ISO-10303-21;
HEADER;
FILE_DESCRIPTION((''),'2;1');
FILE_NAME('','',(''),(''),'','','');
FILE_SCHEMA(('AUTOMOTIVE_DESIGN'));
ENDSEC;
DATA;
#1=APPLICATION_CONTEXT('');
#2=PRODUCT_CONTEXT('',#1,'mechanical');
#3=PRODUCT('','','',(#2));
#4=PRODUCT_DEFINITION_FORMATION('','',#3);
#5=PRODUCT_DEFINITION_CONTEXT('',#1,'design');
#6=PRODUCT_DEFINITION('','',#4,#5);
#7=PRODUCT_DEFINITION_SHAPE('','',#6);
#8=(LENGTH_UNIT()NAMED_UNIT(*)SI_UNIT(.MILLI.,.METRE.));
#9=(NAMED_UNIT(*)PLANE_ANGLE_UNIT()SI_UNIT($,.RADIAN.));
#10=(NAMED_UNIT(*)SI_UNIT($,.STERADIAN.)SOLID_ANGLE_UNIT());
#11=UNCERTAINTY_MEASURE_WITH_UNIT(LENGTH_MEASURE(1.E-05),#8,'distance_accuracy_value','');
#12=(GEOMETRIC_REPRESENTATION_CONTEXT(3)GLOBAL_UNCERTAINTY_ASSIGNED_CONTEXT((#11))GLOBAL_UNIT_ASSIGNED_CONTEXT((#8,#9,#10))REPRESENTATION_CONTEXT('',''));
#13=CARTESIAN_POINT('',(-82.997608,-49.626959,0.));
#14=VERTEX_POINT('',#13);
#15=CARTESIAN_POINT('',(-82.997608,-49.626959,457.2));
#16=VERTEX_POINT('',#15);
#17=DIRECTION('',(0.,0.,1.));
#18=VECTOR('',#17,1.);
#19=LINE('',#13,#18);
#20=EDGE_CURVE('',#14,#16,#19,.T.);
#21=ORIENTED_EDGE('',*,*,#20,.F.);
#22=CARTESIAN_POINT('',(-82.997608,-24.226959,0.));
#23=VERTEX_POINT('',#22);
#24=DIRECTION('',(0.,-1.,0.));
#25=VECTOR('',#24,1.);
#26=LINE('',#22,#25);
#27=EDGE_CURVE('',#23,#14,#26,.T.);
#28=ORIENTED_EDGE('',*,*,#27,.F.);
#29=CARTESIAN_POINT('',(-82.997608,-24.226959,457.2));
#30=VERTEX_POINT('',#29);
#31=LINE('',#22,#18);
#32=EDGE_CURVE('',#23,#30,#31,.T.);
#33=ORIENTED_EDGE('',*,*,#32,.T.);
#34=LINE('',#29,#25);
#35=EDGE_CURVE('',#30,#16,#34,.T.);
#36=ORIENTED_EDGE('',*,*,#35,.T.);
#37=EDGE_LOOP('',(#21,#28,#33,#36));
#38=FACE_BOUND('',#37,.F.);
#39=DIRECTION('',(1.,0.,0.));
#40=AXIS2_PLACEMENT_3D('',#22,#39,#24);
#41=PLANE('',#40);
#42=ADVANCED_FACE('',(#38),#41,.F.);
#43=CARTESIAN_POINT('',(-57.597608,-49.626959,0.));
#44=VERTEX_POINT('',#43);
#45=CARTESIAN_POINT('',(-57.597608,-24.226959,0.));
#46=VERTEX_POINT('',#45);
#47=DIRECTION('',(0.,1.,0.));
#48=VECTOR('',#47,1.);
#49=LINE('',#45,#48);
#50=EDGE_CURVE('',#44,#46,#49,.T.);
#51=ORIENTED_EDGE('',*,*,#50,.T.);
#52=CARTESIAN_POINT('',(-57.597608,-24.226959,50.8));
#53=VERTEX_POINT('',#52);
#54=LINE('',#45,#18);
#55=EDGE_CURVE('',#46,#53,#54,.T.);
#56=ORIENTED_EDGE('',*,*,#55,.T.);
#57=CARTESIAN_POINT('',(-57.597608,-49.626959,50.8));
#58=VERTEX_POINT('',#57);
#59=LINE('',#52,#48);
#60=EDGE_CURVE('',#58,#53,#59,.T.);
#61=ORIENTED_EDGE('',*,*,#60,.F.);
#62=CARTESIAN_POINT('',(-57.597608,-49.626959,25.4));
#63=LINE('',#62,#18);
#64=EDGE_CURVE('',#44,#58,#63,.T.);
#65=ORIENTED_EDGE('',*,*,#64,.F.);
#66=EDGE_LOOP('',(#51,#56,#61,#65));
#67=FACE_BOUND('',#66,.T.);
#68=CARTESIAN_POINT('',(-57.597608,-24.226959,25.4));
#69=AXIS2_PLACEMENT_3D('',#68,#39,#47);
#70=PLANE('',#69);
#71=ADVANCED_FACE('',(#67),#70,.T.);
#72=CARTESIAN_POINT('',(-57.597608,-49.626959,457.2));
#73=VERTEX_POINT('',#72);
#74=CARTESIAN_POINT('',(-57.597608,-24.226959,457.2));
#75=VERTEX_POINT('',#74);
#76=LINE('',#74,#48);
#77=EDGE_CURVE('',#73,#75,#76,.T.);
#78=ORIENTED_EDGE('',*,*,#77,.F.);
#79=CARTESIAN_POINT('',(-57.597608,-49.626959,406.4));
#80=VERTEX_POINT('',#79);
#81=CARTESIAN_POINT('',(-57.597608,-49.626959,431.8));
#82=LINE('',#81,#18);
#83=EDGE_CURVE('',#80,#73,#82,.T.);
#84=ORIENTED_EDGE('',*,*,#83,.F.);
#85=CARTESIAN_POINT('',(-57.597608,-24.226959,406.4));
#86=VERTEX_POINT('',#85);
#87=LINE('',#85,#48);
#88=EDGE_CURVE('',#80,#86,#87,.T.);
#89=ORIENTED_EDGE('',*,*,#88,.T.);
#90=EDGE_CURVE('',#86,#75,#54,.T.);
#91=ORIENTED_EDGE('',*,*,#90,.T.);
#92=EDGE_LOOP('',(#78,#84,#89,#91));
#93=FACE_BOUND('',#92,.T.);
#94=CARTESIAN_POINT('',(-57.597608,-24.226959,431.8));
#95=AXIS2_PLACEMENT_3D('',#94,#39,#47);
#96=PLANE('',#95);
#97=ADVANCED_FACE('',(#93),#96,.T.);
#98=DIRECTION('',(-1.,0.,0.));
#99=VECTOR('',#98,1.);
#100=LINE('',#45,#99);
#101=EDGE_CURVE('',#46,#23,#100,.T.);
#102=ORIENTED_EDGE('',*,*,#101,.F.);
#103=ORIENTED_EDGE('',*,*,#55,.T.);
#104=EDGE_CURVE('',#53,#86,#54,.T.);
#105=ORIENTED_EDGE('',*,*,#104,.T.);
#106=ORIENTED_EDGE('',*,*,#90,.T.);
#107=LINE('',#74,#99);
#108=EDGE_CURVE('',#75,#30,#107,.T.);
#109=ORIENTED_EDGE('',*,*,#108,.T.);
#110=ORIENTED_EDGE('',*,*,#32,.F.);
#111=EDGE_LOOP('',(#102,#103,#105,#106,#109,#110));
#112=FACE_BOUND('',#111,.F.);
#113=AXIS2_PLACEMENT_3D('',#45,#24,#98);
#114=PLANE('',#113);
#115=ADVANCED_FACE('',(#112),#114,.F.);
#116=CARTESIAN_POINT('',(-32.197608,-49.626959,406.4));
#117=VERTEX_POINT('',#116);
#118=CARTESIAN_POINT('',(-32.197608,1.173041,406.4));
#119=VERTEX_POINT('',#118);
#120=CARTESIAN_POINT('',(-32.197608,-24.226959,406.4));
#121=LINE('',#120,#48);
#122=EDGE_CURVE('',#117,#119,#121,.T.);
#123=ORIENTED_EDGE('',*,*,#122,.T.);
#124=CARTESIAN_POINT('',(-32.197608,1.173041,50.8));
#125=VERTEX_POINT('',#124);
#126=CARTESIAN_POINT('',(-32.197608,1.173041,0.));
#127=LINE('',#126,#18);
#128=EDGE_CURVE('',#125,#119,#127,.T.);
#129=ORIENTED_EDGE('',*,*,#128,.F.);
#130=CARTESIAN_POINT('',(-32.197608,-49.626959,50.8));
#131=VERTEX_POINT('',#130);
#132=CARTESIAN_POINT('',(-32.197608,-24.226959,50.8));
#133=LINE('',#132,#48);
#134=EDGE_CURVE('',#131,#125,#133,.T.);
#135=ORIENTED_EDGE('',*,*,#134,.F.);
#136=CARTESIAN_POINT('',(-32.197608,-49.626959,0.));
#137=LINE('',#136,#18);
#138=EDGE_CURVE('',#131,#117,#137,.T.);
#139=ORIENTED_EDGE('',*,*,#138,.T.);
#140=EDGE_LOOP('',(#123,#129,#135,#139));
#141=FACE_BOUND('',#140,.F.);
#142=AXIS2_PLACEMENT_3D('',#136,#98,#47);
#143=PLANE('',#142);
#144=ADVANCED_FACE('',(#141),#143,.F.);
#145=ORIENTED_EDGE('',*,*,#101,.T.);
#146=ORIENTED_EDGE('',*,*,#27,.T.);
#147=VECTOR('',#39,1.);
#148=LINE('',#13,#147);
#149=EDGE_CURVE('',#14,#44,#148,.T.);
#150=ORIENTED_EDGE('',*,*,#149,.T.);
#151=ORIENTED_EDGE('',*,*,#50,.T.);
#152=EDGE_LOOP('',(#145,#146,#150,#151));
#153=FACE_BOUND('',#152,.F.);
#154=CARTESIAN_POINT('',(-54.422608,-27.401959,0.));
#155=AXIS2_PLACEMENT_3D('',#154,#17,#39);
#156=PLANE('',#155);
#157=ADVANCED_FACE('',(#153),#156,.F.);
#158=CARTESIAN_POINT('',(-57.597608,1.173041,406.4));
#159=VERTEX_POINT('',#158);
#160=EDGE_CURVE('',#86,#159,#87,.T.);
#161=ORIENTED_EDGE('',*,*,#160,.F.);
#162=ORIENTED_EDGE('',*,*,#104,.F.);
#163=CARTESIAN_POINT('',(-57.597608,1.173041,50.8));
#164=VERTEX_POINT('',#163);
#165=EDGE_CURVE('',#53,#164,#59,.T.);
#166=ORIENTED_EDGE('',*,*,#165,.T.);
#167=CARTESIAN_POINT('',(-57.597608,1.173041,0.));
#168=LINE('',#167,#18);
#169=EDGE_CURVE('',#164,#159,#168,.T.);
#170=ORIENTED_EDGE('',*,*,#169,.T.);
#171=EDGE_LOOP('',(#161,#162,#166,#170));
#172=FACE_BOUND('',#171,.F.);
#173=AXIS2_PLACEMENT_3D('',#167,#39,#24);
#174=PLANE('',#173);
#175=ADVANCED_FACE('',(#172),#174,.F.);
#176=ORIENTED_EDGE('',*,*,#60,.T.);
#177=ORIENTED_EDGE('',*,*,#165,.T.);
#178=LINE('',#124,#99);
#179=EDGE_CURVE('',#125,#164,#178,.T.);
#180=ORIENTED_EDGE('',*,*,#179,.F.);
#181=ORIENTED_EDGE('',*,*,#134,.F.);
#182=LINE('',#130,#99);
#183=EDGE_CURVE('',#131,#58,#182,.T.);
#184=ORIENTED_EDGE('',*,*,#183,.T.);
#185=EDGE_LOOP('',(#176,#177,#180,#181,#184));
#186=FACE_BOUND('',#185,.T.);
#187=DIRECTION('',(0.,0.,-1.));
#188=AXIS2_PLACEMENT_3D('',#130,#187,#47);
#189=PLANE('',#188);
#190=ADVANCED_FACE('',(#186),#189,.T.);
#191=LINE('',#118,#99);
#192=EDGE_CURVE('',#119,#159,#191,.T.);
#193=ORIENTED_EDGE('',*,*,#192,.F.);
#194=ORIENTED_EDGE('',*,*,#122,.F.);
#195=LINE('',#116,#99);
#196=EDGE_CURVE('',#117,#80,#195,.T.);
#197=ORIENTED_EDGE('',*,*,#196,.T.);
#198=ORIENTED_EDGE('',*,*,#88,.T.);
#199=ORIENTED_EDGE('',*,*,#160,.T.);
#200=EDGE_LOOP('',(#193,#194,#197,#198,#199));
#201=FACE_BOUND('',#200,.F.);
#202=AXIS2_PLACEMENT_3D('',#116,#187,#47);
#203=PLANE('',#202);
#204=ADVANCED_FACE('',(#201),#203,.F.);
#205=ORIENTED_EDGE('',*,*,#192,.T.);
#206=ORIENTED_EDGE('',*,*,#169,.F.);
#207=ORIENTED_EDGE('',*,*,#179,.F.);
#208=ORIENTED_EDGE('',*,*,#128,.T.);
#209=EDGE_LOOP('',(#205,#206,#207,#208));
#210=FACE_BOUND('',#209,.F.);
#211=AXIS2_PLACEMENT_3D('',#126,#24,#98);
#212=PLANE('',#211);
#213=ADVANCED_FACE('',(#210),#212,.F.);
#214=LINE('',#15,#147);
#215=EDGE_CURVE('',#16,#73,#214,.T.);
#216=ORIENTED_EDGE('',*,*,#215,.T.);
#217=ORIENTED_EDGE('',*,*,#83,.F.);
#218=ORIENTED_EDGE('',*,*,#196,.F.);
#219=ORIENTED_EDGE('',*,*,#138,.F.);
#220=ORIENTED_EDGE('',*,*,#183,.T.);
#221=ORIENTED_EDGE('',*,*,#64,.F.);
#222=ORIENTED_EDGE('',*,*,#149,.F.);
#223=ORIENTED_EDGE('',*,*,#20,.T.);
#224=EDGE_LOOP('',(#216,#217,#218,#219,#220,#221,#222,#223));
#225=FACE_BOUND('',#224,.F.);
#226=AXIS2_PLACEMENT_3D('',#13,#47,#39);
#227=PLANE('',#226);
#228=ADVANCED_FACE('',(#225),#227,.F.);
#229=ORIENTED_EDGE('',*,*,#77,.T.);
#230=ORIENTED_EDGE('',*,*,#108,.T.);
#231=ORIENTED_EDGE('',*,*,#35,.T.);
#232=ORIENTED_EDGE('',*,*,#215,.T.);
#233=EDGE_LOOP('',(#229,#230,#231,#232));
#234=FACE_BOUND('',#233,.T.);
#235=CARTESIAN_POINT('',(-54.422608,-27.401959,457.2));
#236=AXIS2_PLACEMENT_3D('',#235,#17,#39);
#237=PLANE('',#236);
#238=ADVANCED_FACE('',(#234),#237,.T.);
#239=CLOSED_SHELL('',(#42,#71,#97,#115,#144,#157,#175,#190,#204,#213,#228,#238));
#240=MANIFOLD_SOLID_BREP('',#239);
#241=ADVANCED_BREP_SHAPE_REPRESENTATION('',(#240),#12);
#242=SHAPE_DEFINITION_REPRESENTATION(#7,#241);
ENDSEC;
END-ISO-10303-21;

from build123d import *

# Parameters (mm, degrees)
F1_DEPTH = 457.2
F2_W     = 50.8
F2_H     = 50.8
F3_DEPTH = 25.4


with BuildPart() as f1:
    # F0 (on Top) → F1 (new body)
    with BuildSketch(Plane.XY):
        Polygon((-82.997608, -24.226959), (-82.997608, -49.626959), (-32.197608, -49.626959), (-32.197608, 1.173041), (-57.597608, 1.173041), (-57.597608, -24.226959), align=None)
    extrude(amount=F1_DEPTH)

    # F2 (on face) → F3 (cut)
    with BuildSketch(Plane.YZ.offset(-32.197608)):
        with Locations((-24.226959, 431.8)):
            Rectangle(F2_W, F2_H)
        with Locations((-24.226959, 25.4)):
            Rectangle(F2_W, F2_H)
    extrude(amount=-F3_DEPTH, mode=Mode.SUBTRACT)


solid = f1.part
